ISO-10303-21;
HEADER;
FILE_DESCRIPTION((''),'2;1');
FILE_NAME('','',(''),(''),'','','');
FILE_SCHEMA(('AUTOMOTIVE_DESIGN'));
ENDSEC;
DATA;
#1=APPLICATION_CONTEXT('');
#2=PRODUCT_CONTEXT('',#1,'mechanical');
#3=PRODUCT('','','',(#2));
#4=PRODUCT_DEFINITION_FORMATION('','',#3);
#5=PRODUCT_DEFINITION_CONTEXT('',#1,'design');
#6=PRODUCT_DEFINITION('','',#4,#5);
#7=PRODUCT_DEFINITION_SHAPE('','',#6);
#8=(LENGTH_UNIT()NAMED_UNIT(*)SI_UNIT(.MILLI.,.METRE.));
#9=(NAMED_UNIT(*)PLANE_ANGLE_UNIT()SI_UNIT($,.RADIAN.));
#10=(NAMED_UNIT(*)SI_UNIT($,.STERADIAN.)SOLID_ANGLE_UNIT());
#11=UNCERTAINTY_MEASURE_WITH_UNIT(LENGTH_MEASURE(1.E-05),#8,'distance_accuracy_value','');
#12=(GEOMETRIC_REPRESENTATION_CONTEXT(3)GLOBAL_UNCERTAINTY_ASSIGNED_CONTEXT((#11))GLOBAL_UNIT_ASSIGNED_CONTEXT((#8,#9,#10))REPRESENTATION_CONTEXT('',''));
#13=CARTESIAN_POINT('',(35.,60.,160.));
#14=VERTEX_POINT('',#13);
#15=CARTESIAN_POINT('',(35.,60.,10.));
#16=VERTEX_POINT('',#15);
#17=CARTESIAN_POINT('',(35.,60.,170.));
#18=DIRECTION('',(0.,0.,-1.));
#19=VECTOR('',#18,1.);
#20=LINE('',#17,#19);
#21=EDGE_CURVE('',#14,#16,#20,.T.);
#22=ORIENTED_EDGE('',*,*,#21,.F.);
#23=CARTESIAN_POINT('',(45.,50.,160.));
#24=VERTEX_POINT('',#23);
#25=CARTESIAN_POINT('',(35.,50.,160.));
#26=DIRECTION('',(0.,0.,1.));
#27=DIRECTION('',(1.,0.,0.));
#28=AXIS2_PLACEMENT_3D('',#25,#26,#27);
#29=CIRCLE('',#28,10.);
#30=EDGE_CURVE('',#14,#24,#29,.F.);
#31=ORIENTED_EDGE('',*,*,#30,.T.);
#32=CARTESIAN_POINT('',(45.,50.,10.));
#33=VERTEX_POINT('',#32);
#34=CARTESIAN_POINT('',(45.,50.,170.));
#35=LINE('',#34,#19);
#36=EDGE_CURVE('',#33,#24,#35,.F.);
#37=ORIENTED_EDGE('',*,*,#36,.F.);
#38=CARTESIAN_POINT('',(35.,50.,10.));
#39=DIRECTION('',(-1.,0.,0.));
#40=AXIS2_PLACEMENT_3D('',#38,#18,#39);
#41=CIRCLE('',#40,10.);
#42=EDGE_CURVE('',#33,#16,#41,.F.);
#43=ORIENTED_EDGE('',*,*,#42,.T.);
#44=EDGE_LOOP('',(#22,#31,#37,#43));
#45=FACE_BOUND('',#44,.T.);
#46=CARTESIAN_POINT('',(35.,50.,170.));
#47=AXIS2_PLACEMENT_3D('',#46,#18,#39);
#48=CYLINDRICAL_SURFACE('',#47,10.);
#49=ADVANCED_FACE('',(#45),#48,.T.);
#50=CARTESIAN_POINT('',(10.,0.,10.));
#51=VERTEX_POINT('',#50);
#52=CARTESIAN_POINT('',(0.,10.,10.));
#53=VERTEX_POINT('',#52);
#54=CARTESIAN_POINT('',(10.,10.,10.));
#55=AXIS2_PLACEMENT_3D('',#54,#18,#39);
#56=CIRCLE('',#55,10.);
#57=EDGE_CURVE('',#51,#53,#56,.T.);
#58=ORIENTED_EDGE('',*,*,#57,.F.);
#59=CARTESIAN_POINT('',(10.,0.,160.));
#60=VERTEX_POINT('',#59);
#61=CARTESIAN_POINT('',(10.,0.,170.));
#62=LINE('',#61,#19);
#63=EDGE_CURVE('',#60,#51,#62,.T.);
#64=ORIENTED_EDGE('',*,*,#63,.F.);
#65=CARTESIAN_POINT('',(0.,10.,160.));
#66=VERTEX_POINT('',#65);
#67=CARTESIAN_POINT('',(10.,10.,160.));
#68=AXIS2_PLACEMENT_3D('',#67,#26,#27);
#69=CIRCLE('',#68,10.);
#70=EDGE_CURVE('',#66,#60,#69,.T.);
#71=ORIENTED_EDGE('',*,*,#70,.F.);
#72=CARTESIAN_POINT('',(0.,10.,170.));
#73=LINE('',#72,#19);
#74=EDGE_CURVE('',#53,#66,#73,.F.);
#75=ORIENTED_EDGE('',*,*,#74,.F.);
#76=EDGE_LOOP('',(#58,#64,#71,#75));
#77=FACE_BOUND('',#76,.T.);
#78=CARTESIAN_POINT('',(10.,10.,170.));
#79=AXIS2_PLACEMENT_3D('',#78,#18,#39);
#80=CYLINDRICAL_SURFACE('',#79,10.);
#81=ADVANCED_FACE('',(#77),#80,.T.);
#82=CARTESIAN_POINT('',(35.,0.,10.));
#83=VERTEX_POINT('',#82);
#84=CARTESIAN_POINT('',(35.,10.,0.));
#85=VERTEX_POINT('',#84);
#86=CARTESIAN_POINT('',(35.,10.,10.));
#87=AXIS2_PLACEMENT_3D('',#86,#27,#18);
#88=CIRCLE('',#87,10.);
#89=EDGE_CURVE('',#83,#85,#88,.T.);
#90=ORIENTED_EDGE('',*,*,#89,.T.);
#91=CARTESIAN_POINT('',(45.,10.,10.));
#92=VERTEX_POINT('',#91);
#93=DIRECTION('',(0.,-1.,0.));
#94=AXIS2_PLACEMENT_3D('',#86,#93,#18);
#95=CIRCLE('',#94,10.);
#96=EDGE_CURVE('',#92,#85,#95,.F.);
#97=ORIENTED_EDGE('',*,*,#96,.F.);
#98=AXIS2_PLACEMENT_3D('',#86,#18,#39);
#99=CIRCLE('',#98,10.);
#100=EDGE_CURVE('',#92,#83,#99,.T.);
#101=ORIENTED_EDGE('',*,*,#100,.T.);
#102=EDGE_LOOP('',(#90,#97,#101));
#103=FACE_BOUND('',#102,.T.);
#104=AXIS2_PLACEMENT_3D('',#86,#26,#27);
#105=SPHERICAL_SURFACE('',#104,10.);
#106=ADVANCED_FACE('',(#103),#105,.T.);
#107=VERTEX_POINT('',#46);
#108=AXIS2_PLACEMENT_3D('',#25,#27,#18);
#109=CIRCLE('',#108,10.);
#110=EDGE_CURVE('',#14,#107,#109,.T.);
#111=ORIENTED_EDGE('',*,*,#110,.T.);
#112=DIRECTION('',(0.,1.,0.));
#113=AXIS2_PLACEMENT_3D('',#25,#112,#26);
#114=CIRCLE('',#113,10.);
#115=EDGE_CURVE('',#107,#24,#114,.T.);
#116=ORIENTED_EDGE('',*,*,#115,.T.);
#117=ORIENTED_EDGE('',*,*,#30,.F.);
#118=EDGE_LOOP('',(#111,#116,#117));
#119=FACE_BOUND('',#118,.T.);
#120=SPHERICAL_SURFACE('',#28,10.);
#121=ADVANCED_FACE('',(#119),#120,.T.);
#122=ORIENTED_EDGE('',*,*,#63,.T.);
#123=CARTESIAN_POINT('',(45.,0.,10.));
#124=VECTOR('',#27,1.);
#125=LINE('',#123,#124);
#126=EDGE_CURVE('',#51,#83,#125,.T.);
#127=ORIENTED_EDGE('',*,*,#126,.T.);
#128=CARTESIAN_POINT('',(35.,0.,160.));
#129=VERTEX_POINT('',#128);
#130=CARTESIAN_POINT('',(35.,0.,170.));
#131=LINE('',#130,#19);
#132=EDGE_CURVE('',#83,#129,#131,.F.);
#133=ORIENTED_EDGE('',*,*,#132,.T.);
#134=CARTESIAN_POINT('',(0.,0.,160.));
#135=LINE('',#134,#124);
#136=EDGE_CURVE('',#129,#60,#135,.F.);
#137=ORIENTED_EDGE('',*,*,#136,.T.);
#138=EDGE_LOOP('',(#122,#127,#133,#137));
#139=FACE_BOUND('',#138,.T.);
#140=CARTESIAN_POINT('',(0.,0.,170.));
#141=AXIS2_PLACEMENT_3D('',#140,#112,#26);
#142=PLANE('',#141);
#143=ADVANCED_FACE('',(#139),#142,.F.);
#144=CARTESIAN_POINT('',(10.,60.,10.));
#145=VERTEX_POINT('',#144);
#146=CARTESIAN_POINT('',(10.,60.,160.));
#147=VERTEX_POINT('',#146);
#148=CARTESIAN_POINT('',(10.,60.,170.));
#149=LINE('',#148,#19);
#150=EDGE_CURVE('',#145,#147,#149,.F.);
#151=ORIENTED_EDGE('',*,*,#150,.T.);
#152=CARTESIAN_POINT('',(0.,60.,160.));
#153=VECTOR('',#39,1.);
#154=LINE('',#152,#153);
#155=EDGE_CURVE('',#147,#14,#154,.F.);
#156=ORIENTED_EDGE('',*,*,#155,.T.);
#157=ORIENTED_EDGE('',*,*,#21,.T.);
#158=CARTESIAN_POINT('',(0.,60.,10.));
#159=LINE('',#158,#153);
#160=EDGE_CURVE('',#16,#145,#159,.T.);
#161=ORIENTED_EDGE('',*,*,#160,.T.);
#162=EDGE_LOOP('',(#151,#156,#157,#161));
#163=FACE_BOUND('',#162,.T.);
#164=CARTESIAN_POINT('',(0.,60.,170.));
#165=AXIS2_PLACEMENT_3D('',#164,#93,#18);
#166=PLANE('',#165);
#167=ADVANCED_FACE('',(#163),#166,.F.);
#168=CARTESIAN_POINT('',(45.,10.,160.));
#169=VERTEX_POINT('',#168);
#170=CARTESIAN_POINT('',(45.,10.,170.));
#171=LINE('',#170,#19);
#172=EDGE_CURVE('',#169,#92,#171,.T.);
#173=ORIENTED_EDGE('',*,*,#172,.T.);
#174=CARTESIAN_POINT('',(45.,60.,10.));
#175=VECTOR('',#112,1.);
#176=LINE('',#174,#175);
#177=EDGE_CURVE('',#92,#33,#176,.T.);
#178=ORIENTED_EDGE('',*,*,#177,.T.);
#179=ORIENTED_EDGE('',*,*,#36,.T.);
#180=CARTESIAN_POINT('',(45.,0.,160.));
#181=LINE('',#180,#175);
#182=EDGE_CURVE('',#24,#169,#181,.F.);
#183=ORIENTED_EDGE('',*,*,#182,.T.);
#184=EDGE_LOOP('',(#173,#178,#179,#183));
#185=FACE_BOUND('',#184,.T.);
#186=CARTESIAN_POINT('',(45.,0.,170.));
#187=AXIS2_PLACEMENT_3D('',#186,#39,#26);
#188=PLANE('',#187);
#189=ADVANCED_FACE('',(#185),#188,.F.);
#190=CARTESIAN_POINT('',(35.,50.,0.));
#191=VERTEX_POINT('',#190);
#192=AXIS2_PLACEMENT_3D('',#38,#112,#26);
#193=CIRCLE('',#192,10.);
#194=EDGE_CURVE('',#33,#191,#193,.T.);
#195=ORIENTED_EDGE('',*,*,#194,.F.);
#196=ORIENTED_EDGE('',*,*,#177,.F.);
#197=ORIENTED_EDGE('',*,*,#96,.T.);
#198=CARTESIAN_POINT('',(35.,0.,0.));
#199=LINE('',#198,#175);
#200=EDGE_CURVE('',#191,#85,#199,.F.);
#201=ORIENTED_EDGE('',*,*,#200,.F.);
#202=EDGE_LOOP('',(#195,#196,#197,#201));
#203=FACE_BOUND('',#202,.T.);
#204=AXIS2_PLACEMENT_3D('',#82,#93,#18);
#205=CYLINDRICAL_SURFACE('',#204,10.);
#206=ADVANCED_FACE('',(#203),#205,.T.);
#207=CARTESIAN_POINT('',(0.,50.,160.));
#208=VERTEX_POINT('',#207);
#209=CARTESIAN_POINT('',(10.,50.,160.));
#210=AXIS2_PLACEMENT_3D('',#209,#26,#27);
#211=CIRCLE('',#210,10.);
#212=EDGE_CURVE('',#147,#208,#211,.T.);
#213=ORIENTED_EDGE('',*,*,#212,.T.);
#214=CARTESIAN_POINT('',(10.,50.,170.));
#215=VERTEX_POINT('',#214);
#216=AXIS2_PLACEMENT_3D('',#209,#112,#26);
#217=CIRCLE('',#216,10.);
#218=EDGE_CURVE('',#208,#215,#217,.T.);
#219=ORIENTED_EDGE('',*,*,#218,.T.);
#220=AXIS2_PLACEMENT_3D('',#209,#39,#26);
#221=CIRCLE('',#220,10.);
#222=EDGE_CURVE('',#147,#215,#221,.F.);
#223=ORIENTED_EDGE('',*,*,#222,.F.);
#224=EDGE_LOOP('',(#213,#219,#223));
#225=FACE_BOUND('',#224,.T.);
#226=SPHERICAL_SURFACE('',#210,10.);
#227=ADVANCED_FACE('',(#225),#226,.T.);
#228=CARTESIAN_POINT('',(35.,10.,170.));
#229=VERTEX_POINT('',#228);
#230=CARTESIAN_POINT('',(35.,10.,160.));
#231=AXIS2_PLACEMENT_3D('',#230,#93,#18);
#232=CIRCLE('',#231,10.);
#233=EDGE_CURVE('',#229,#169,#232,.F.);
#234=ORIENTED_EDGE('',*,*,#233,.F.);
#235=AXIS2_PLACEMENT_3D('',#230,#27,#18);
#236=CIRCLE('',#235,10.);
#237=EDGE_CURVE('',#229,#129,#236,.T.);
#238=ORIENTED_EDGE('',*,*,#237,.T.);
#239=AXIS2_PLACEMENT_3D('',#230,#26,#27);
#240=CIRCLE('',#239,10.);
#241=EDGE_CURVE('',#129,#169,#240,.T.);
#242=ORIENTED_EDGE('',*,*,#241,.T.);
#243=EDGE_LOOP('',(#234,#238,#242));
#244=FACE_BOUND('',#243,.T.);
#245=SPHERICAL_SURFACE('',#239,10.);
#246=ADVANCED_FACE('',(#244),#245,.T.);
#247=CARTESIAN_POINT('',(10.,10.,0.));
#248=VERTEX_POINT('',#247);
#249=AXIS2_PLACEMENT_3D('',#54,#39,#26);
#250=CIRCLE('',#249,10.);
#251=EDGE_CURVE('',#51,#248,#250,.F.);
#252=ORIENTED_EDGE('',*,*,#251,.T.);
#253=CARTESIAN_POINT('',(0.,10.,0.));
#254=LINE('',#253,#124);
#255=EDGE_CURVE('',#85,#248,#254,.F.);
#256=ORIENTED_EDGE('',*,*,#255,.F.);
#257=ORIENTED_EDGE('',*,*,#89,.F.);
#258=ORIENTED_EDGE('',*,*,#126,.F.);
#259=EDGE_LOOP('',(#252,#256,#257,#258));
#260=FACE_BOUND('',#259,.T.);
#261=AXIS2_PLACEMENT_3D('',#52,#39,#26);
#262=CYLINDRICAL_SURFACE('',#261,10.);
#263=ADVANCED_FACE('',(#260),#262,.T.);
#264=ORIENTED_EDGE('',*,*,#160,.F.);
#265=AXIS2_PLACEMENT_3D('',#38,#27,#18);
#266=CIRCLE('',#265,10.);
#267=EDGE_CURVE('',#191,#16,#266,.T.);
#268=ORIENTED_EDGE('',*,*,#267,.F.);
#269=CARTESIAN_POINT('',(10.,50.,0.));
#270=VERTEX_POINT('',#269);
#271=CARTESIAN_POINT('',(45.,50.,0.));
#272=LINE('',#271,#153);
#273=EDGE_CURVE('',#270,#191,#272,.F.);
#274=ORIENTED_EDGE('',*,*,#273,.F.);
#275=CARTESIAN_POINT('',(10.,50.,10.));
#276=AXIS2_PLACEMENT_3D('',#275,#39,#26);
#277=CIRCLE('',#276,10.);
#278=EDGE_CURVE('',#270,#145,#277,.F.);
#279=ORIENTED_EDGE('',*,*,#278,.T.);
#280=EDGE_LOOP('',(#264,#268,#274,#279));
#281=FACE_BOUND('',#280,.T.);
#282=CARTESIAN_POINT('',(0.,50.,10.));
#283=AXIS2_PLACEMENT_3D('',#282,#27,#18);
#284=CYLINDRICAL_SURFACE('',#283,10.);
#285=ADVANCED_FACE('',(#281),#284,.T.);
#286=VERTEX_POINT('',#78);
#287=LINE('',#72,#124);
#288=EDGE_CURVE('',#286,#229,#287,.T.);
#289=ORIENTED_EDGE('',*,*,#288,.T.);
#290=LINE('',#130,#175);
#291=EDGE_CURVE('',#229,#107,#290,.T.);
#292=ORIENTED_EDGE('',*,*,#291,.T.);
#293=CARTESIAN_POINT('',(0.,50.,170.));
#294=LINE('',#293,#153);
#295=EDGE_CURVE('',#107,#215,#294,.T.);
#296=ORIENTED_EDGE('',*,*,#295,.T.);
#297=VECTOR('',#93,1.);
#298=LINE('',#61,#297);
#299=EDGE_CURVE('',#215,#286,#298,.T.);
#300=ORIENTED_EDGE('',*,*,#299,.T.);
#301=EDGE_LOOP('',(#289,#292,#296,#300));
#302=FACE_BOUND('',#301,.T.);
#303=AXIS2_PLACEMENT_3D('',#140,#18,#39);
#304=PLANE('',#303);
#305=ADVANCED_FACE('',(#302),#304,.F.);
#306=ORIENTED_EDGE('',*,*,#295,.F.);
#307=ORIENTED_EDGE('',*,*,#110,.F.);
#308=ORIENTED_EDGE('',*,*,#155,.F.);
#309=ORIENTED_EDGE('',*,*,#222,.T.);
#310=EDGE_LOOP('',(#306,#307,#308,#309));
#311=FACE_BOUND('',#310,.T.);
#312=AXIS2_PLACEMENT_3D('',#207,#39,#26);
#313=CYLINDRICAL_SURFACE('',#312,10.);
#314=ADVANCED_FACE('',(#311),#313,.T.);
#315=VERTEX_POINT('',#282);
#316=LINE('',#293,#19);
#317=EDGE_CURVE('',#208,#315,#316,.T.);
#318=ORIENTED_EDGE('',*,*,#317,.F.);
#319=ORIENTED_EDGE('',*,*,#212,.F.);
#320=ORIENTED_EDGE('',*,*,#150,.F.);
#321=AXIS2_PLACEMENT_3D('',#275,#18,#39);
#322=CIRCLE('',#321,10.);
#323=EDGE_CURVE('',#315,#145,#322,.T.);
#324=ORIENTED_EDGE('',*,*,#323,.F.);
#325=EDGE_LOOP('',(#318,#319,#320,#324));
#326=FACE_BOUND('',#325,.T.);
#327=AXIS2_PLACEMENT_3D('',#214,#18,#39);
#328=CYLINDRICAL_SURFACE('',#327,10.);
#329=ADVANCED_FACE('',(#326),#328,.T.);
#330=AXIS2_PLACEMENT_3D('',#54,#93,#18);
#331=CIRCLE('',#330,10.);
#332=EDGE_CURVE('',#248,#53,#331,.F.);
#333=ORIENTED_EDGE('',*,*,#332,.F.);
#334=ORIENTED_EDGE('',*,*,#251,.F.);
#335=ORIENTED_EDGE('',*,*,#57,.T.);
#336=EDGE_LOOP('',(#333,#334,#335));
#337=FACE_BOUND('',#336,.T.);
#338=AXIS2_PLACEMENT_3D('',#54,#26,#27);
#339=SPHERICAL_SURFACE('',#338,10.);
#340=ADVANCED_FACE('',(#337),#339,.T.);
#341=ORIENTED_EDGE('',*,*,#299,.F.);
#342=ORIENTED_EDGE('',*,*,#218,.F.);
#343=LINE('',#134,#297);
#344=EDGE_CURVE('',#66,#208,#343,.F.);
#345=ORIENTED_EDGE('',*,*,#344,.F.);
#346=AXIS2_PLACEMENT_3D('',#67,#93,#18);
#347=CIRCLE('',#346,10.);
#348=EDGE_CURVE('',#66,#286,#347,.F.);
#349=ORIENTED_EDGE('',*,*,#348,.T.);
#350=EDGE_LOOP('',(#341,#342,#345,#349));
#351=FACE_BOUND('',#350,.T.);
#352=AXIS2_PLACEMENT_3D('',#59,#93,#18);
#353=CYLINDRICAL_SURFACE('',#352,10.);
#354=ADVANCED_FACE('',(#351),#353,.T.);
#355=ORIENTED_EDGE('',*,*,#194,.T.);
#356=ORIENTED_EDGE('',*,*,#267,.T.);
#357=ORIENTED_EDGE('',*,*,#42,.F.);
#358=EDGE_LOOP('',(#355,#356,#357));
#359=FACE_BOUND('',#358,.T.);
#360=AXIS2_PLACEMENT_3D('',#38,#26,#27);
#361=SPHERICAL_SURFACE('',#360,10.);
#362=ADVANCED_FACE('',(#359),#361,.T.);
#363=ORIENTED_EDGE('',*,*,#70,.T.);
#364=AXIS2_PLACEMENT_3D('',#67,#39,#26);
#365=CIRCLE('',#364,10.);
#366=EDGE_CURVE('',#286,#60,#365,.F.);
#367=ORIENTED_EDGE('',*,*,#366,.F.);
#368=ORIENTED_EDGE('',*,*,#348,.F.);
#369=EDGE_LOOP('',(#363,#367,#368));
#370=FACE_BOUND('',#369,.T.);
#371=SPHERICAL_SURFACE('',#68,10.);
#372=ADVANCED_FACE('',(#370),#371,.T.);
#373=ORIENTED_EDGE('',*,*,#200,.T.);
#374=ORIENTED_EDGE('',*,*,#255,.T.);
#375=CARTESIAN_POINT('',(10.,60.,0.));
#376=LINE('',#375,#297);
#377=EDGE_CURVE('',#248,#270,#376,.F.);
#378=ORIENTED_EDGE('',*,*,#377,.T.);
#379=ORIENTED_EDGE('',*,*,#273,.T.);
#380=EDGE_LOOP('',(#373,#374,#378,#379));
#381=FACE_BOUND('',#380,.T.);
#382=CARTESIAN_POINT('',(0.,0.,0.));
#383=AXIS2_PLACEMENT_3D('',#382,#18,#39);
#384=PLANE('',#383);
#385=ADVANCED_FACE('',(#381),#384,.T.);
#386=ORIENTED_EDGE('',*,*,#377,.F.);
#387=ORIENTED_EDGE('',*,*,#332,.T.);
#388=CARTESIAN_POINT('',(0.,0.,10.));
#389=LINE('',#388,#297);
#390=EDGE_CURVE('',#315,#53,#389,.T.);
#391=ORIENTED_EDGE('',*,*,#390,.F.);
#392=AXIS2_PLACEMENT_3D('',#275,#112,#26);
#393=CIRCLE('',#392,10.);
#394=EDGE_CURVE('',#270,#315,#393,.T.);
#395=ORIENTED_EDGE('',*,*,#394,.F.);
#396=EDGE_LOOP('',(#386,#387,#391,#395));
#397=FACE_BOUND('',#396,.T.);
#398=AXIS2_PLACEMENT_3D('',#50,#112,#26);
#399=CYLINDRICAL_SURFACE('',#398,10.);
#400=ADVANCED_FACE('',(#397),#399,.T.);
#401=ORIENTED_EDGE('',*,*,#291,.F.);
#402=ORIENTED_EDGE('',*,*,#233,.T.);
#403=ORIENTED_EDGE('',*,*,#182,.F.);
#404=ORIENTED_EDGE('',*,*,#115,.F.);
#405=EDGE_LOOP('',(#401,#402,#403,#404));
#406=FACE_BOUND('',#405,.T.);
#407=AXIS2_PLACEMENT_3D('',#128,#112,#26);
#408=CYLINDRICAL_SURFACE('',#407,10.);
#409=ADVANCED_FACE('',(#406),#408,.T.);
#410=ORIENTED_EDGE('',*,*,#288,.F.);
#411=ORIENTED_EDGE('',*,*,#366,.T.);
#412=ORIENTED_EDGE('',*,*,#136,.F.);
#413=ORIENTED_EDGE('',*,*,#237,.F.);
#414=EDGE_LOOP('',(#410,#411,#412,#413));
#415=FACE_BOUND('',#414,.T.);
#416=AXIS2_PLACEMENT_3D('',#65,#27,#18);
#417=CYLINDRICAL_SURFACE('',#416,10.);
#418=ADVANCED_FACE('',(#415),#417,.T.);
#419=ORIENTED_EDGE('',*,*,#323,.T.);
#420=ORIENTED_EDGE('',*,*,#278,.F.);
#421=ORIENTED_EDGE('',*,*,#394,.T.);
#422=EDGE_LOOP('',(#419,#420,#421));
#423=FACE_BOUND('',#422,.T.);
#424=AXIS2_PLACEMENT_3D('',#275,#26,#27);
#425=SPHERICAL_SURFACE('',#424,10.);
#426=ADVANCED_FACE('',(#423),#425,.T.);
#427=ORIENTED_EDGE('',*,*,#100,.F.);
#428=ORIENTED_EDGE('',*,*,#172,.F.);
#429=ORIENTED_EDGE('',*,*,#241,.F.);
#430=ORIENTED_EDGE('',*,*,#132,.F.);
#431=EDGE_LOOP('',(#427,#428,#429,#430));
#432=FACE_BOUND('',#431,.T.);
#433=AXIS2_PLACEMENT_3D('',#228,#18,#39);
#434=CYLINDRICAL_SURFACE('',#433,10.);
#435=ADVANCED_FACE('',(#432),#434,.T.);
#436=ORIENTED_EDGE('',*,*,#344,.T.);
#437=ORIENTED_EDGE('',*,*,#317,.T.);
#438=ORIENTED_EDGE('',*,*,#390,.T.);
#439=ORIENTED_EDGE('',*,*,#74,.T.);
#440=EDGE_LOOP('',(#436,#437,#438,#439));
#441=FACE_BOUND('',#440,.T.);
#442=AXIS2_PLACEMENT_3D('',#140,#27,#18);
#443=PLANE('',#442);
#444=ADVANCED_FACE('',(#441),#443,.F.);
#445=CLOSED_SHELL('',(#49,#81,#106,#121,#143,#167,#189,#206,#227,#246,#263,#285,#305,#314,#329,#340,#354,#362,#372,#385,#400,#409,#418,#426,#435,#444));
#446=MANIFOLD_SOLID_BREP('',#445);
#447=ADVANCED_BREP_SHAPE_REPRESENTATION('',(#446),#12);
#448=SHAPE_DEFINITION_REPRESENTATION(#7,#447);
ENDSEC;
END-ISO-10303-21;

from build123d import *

# Parameters (mm, degrees)
ESQUISSE1_W        = 45
ESQUISSE1_H        = 60
BOSS_EXTRU_1_DEPTH = 170
CONG_1_R           = 10


with BuildPart() as part:
    # Esquisse1 → Boss.-Extru.1 (new body)
    with BuildSketch(Plane.XY):
        with Locations((22.5, 30)):
            Rectangle(ESQUISSE1_W, ESQUISSE1_H)
    extrude(amount=BOSS_EXTRU_1_DEPTH)

    # Congé1
    cong_1_edges = [part.edges().sort_by_distance(p)[0] for p in [
        (45, 30, 170),
        (22.5, 60, 170),
        (0, 30, 170),
        (22.5, 60, 0),
        (45, 30, 0),
        (22.5, 0, 0),
        (0, 30, 0),
        (22.5, 0, 170),
        (0, 60, 85),
        (45, 60, 85),
        (45, 0, 85),
        (0, 0, 85),
    ]]
    fillet(cong_1_edges, radius=CONG_1_R)


solid = part.part
